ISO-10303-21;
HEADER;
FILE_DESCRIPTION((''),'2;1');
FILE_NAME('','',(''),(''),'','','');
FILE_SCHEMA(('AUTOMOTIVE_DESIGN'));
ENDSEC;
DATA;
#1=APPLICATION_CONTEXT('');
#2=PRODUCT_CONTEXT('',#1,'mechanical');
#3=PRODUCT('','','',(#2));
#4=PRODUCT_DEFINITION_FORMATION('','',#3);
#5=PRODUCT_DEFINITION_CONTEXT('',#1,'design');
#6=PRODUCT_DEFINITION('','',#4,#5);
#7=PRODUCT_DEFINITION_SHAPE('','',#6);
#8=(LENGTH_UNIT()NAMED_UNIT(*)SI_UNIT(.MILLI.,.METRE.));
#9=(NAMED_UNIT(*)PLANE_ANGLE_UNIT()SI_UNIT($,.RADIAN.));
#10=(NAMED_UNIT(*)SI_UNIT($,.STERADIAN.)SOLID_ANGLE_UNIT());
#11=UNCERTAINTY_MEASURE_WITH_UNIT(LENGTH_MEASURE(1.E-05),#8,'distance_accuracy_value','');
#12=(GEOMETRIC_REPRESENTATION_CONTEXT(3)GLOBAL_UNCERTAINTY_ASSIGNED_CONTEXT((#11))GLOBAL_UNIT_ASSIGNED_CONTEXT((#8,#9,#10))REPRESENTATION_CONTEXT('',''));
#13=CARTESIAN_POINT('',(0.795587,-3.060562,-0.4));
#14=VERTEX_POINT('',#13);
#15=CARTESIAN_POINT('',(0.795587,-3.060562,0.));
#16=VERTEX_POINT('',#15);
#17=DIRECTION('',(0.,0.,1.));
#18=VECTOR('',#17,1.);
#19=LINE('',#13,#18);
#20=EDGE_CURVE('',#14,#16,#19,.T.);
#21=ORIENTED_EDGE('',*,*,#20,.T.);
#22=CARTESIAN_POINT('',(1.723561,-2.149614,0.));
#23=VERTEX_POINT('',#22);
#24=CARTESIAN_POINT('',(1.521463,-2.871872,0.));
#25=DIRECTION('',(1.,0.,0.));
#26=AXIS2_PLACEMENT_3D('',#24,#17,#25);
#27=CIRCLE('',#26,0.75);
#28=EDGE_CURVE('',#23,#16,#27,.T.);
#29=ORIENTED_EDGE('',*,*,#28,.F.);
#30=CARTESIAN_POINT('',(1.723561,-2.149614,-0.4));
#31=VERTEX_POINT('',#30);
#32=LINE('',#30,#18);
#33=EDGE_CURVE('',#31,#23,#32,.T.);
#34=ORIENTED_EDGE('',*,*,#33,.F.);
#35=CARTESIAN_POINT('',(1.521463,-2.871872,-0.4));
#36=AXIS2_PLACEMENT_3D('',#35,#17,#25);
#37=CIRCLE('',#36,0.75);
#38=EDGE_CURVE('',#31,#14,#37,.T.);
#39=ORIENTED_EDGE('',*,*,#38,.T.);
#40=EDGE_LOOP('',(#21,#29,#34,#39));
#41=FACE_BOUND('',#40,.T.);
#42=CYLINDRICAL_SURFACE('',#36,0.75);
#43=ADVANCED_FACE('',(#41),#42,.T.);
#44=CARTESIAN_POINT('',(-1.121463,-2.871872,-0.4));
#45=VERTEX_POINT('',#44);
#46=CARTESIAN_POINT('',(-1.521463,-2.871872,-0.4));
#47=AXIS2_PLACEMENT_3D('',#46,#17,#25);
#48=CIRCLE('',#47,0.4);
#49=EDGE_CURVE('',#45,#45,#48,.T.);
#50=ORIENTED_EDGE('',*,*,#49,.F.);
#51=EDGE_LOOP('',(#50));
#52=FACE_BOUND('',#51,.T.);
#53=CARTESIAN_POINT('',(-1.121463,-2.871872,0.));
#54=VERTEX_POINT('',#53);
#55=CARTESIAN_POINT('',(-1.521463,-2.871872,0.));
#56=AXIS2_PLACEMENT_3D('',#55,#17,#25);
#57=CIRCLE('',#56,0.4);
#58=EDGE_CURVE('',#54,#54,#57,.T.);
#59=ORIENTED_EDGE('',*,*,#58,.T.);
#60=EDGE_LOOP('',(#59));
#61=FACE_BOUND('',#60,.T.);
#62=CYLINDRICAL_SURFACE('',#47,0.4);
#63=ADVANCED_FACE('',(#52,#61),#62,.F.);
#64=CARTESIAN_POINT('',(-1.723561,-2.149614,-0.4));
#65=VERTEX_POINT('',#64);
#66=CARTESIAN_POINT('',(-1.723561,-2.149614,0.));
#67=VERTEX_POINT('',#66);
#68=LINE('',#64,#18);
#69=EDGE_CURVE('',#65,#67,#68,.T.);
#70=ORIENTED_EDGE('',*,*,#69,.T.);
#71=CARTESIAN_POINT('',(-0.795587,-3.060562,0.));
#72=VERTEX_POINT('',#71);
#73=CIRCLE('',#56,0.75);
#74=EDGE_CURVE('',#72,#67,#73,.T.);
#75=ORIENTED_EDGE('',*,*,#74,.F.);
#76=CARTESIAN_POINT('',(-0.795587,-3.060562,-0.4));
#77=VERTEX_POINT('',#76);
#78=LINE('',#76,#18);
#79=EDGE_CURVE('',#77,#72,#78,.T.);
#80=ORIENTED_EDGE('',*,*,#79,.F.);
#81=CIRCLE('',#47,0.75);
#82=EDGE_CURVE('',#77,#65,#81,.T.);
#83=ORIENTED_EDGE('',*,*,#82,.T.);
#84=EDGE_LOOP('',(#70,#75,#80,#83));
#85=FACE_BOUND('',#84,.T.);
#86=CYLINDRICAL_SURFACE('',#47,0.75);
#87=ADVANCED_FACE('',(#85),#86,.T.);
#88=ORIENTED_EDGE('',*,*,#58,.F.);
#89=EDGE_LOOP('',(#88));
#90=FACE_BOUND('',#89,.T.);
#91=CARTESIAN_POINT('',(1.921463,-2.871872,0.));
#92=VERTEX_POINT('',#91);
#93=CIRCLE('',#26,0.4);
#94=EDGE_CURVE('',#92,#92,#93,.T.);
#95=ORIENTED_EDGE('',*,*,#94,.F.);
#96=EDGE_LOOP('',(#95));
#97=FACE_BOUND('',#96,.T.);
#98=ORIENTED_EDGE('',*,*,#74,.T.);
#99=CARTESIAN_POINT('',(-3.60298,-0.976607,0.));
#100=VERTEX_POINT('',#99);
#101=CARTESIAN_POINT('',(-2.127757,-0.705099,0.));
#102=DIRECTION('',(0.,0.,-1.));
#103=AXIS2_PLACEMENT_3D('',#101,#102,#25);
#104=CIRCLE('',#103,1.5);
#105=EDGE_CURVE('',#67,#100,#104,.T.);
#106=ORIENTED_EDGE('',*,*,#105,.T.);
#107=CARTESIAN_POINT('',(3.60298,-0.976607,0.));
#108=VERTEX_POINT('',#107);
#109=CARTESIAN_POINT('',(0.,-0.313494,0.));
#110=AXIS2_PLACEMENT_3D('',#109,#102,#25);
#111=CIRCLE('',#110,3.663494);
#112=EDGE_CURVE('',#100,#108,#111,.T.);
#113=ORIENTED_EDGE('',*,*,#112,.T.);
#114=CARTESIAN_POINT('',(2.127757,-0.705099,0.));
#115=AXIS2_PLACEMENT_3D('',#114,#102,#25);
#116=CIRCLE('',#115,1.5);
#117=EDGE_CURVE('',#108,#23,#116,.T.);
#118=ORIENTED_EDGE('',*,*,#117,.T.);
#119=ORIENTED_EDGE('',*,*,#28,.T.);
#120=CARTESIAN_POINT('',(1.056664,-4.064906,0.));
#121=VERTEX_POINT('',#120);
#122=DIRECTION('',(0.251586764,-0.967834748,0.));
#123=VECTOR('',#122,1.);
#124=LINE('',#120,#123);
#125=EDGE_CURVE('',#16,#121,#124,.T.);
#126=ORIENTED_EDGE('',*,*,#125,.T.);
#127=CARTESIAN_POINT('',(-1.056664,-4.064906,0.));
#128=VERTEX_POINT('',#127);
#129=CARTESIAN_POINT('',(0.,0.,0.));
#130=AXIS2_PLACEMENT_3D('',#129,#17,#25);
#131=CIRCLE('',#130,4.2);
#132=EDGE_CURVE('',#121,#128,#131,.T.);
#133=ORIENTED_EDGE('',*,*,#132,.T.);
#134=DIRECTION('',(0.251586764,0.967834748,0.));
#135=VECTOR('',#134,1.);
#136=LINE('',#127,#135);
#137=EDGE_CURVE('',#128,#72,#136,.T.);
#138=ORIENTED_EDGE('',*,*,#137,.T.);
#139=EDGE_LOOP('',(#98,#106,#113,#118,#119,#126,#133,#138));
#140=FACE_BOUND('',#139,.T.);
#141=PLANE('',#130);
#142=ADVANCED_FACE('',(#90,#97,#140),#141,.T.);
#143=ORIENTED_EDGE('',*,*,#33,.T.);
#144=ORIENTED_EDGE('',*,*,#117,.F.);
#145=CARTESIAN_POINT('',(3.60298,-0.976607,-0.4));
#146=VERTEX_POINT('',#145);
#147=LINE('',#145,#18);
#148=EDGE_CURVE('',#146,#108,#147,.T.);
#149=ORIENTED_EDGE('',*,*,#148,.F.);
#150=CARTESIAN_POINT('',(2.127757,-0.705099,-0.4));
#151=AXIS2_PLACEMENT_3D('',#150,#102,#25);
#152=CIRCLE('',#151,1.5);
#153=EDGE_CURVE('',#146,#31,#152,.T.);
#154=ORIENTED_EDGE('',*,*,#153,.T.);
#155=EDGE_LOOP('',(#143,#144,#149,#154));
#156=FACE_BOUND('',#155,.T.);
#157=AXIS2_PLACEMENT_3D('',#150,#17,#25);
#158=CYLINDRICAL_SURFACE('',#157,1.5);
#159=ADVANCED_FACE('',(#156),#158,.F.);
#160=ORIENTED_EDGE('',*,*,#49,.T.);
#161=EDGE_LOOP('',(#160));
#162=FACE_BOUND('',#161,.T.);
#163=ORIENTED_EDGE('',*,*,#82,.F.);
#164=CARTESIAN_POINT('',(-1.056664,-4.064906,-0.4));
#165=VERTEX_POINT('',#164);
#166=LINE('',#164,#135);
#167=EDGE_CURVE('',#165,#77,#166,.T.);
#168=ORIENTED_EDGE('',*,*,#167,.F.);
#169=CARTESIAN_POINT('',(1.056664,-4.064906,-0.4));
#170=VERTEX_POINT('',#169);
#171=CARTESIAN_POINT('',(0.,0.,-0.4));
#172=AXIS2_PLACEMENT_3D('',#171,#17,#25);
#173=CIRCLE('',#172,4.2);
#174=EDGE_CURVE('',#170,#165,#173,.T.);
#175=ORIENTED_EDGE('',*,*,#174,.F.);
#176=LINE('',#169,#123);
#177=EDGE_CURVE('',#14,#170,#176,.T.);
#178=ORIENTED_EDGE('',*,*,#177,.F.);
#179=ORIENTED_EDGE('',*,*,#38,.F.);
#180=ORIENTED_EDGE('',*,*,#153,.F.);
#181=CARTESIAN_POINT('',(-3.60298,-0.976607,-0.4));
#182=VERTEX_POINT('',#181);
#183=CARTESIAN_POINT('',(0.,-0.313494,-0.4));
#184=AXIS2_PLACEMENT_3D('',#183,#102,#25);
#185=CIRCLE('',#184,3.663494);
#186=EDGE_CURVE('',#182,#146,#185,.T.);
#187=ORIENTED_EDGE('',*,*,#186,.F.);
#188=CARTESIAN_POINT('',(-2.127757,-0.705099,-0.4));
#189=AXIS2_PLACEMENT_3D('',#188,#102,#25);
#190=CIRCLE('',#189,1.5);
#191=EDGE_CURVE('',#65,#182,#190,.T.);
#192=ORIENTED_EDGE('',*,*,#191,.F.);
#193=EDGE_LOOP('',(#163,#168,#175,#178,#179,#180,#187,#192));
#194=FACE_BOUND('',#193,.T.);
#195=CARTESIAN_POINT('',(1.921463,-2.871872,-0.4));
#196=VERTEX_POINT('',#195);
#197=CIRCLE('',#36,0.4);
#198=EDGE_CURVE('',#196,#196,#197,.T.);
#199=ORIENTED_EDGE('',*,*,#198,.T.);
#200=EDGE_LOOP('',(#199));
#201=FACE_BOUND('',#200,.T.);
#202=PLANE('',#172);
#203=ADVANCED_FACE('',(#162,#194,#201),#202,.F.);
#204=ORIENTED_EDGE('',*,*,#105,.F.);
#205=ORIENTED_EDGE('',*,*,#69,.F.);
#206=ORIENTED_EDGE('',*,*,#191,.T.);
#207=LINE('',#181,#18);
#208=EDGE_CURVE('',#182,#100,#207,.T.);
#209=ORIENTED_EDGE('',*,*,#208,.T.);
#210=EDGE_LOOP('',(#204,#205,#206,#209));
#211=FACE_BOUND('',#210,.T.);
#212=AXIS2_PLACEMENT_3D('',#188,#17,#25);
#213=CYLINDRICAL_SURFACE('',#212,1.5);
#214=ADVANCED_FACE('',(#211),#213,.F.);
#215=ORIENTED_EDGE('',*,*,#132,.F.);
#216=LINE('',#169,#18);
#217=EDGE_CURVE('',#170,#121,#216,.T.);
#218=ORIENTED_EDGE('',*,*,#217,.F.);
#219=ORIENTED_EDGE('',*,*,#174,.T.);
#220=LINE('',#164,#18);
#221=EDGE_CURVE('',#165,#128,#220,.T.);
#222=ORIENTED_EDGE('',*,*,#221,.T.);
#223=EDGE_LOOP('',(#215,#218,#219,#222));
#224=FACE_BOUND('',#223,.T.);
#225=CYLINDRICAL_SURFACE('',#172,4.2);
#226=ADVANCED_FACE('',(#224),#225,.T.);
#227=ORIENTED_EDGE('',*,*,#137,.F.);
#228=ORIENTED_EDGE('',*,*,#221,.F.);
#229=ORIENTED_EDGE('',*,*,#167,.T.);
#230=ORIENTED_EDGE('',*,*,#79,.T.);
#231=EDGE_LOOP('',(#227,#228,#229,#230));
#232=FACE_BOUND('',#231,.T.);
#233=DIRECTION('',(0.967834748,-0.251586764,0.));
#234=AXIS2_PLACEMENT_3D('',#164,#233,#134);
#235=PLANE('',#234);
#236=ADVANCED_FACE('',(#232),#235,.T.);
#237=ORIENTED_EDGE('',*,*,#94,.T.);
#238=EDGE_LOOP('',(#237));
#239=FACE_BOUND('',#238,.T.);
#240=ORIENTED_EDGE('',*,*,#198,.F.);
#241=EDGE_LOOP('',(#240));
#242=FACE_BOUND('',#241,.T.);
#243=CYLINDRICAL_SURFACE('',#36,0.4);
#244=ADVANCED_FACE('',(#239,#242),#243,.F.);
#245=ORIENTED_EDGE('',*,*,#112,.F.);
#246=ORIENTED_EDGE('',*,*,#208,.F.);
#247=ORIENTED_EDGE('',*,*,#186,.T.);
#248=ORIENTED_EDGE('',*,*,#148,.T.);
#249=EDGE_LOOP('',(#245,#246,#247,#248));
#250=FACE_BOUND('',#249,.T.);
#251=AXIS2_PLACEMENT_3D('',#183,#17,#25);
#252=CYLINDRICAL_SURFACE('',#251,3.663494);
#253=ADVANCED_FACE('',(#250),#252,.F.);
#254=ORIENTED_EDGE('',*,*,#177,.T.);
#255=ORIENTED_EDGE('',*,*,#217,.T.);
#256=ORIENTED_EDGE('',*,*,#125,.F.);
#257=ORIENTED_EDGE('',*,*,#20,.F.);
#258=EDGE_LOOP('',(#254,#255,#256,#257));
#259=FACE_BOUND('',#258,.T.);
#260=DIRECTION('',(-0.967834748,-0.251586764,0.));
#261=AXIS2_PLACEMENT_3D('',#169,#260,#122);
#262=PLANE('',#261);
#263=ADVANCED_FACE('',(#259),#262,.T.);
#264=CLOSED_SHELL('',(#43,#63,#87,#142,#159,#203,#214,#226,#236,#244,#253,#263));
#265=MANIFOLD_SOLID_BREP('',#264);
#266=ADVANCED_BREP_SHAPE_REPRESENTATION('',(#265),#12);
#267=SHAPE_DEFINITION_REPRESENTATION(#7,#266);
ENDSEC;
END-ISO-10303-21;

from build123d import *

# Parameters (mm, degrees)
BODYSKE_R  = 0.4
BODY_DEPTH = 0.4


with BuildPart() as part:
    # BodySke → Body (new body)
    with BuildSketch(Plane.XY):
        with BuildLine():
            Line((1.056664408, -4.064905943), (0.795587203, -3.060562204))
            ThreePointArc((0.795587203, -3.060562204), (0.996065873, -2.336654809), (1.723561198, -2.149614265))
            ThreePointArc((1.723561198, -2.149614265), (2.921961798, -1.977591694), (3.602980104, -0.976607263))
            ThreePointArc((3.602980104, -0.976607263), (0, 3.35), (-3.602980104, -0.976607263))
            ThreePointArc((-3.602980104, -0.976607263), (-2.921961798, -1.977591694), (-1.723561198, -2.149614265))
            ThreePointArc((-1.723561198, -2.149614265), (-0.996065873, -2.336654809), (-0.795587203, -3.060562204))
            Line((-0.795587203, -3.060562204), (-1.056664408, -4.064905943))
            ThreePointArc((-1.056664408, -4.064905943), (0, 4.2), (1.056664408, -4.064905943))
        make_face()
        with Locations((1.521463264, -2.871872131)):
            Circle(BODYSKE_R, mode=Mode.SUBTRACT)
        with Locations((-1.521463264, -2.871872131)):
            Circle(BODYSKE_R, mode=Mode.SUBTRACT)
    extrude(amount=-BODY_DEPTH)


solid = part.part
